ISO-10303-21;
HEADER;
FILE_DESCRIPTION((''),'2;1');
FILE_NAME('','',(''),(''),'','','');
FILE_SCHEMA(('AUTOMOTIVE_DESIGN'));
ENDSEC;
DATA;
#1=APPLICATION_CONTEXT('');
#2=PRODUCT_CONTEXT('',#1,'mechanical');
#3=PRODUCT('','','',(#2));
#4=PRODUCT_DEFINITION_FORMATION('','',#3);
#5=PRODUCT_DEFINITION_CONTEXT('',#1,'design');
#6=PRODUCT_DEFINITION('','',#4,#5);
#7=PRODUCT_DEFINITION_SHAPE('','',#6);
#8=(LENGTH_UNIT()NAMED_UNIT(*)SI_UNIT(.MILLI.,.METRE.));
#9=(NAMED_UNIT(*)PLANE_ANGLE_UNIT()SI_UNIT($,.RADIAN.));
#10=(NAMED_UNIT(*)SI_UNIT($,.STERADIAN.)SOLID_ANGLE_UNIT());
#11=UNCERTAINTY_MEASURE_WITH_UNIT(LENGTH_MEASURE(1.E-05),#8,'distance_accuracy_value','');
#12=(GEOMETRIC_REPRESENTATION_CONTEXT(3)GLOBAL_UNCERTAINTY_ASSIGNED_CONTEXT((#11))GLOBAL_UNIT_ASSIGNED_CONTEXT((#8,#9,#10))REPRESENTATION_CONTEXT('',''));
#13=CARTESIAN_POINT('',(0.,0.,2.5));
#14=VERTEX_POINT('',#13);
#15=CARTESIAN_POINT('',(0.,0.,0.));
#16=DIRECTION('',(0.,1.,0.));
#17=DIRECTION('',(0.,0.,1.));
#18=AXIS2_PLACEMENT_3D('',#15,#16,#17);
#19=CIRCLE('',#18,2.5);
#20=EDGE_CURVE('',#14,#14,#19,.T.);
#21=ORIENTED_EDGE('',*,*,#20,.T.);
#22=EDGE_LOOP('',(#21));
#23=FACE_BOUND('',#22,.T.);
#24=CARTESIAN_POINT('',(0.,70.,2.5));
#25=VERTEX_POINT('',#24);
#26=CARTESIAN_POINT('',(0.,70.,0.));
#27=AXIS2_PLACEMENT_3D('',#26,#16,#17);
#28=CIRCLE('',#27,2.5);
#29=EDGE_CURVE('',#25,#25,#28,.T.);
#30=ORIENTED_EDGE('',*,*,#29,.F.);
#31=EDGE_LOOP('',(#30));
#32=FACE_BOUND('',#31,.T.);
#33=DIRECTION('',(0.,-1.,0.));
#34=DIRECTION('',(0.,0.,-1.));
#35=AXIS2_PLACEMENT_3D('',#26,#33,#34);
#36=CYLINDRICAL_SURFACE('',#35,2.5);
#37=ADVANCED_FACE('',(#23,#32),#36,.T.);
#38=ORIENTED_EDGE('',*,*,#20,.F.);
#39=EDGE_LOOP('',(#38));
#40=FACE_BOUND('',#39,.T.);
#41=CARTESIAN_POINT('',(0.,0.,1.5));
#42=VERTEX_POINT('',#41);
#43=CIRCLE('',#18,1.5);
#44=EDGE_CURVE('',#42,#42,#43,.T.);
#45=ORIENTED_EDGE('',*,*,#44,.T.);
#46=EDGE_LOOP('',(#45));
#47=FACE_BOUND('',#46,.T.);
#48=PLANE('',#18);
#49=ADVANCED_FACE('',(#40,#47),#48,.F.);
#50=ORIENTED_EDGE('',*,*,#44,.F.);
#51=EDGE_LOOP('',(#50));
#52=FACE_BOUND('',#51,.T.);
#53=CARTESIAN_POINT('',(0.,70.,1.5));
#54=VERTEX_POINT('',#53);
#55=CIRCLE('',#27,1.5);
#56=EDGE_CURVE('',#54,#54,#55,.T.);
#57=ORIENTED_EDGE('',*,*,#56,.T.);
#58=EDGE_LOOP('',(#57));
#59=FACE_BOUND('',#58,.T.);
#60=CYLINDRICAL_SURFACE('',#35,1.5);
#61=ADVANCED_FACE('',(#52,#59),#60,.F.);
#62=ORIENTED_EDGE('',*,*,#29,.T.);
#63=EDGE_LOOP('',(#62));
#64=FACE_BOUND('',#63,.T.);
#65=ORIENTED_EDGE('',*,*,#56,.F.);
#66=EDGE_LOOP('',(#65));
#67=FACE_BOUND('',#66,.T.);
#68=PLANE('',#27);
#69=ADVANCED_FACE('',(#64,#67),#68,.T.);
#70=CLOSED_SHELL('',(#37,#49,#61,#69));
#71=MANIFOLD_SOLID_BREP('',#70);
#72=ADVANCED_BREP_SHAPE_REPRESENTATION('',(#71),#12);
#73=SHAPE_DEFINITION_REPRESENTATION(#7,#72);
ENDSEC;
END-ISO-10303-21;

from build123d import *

# Parameters (mm, degrees)
SKETCH_1_R      = 2.5
SKETCH_1_R_2    = 1.5
EXTRUDE_1_DEPTH = 70


with BuildPart() as part:
    # 草图1 → 凸台-拉伸1 (new body)
    with BuildSketch(Plane(origin=(0, 0, 0), x_dir=(1, 0, 0), z_dir=(0, 1, 0))):
        Circle(SKETCH_1_R)
        Circle(SKETCH_1_R_2, mode=Mode.SUBTRACT)
    extrude(amount=EXTRUDE_1_DEPTH)


solid = part.part
